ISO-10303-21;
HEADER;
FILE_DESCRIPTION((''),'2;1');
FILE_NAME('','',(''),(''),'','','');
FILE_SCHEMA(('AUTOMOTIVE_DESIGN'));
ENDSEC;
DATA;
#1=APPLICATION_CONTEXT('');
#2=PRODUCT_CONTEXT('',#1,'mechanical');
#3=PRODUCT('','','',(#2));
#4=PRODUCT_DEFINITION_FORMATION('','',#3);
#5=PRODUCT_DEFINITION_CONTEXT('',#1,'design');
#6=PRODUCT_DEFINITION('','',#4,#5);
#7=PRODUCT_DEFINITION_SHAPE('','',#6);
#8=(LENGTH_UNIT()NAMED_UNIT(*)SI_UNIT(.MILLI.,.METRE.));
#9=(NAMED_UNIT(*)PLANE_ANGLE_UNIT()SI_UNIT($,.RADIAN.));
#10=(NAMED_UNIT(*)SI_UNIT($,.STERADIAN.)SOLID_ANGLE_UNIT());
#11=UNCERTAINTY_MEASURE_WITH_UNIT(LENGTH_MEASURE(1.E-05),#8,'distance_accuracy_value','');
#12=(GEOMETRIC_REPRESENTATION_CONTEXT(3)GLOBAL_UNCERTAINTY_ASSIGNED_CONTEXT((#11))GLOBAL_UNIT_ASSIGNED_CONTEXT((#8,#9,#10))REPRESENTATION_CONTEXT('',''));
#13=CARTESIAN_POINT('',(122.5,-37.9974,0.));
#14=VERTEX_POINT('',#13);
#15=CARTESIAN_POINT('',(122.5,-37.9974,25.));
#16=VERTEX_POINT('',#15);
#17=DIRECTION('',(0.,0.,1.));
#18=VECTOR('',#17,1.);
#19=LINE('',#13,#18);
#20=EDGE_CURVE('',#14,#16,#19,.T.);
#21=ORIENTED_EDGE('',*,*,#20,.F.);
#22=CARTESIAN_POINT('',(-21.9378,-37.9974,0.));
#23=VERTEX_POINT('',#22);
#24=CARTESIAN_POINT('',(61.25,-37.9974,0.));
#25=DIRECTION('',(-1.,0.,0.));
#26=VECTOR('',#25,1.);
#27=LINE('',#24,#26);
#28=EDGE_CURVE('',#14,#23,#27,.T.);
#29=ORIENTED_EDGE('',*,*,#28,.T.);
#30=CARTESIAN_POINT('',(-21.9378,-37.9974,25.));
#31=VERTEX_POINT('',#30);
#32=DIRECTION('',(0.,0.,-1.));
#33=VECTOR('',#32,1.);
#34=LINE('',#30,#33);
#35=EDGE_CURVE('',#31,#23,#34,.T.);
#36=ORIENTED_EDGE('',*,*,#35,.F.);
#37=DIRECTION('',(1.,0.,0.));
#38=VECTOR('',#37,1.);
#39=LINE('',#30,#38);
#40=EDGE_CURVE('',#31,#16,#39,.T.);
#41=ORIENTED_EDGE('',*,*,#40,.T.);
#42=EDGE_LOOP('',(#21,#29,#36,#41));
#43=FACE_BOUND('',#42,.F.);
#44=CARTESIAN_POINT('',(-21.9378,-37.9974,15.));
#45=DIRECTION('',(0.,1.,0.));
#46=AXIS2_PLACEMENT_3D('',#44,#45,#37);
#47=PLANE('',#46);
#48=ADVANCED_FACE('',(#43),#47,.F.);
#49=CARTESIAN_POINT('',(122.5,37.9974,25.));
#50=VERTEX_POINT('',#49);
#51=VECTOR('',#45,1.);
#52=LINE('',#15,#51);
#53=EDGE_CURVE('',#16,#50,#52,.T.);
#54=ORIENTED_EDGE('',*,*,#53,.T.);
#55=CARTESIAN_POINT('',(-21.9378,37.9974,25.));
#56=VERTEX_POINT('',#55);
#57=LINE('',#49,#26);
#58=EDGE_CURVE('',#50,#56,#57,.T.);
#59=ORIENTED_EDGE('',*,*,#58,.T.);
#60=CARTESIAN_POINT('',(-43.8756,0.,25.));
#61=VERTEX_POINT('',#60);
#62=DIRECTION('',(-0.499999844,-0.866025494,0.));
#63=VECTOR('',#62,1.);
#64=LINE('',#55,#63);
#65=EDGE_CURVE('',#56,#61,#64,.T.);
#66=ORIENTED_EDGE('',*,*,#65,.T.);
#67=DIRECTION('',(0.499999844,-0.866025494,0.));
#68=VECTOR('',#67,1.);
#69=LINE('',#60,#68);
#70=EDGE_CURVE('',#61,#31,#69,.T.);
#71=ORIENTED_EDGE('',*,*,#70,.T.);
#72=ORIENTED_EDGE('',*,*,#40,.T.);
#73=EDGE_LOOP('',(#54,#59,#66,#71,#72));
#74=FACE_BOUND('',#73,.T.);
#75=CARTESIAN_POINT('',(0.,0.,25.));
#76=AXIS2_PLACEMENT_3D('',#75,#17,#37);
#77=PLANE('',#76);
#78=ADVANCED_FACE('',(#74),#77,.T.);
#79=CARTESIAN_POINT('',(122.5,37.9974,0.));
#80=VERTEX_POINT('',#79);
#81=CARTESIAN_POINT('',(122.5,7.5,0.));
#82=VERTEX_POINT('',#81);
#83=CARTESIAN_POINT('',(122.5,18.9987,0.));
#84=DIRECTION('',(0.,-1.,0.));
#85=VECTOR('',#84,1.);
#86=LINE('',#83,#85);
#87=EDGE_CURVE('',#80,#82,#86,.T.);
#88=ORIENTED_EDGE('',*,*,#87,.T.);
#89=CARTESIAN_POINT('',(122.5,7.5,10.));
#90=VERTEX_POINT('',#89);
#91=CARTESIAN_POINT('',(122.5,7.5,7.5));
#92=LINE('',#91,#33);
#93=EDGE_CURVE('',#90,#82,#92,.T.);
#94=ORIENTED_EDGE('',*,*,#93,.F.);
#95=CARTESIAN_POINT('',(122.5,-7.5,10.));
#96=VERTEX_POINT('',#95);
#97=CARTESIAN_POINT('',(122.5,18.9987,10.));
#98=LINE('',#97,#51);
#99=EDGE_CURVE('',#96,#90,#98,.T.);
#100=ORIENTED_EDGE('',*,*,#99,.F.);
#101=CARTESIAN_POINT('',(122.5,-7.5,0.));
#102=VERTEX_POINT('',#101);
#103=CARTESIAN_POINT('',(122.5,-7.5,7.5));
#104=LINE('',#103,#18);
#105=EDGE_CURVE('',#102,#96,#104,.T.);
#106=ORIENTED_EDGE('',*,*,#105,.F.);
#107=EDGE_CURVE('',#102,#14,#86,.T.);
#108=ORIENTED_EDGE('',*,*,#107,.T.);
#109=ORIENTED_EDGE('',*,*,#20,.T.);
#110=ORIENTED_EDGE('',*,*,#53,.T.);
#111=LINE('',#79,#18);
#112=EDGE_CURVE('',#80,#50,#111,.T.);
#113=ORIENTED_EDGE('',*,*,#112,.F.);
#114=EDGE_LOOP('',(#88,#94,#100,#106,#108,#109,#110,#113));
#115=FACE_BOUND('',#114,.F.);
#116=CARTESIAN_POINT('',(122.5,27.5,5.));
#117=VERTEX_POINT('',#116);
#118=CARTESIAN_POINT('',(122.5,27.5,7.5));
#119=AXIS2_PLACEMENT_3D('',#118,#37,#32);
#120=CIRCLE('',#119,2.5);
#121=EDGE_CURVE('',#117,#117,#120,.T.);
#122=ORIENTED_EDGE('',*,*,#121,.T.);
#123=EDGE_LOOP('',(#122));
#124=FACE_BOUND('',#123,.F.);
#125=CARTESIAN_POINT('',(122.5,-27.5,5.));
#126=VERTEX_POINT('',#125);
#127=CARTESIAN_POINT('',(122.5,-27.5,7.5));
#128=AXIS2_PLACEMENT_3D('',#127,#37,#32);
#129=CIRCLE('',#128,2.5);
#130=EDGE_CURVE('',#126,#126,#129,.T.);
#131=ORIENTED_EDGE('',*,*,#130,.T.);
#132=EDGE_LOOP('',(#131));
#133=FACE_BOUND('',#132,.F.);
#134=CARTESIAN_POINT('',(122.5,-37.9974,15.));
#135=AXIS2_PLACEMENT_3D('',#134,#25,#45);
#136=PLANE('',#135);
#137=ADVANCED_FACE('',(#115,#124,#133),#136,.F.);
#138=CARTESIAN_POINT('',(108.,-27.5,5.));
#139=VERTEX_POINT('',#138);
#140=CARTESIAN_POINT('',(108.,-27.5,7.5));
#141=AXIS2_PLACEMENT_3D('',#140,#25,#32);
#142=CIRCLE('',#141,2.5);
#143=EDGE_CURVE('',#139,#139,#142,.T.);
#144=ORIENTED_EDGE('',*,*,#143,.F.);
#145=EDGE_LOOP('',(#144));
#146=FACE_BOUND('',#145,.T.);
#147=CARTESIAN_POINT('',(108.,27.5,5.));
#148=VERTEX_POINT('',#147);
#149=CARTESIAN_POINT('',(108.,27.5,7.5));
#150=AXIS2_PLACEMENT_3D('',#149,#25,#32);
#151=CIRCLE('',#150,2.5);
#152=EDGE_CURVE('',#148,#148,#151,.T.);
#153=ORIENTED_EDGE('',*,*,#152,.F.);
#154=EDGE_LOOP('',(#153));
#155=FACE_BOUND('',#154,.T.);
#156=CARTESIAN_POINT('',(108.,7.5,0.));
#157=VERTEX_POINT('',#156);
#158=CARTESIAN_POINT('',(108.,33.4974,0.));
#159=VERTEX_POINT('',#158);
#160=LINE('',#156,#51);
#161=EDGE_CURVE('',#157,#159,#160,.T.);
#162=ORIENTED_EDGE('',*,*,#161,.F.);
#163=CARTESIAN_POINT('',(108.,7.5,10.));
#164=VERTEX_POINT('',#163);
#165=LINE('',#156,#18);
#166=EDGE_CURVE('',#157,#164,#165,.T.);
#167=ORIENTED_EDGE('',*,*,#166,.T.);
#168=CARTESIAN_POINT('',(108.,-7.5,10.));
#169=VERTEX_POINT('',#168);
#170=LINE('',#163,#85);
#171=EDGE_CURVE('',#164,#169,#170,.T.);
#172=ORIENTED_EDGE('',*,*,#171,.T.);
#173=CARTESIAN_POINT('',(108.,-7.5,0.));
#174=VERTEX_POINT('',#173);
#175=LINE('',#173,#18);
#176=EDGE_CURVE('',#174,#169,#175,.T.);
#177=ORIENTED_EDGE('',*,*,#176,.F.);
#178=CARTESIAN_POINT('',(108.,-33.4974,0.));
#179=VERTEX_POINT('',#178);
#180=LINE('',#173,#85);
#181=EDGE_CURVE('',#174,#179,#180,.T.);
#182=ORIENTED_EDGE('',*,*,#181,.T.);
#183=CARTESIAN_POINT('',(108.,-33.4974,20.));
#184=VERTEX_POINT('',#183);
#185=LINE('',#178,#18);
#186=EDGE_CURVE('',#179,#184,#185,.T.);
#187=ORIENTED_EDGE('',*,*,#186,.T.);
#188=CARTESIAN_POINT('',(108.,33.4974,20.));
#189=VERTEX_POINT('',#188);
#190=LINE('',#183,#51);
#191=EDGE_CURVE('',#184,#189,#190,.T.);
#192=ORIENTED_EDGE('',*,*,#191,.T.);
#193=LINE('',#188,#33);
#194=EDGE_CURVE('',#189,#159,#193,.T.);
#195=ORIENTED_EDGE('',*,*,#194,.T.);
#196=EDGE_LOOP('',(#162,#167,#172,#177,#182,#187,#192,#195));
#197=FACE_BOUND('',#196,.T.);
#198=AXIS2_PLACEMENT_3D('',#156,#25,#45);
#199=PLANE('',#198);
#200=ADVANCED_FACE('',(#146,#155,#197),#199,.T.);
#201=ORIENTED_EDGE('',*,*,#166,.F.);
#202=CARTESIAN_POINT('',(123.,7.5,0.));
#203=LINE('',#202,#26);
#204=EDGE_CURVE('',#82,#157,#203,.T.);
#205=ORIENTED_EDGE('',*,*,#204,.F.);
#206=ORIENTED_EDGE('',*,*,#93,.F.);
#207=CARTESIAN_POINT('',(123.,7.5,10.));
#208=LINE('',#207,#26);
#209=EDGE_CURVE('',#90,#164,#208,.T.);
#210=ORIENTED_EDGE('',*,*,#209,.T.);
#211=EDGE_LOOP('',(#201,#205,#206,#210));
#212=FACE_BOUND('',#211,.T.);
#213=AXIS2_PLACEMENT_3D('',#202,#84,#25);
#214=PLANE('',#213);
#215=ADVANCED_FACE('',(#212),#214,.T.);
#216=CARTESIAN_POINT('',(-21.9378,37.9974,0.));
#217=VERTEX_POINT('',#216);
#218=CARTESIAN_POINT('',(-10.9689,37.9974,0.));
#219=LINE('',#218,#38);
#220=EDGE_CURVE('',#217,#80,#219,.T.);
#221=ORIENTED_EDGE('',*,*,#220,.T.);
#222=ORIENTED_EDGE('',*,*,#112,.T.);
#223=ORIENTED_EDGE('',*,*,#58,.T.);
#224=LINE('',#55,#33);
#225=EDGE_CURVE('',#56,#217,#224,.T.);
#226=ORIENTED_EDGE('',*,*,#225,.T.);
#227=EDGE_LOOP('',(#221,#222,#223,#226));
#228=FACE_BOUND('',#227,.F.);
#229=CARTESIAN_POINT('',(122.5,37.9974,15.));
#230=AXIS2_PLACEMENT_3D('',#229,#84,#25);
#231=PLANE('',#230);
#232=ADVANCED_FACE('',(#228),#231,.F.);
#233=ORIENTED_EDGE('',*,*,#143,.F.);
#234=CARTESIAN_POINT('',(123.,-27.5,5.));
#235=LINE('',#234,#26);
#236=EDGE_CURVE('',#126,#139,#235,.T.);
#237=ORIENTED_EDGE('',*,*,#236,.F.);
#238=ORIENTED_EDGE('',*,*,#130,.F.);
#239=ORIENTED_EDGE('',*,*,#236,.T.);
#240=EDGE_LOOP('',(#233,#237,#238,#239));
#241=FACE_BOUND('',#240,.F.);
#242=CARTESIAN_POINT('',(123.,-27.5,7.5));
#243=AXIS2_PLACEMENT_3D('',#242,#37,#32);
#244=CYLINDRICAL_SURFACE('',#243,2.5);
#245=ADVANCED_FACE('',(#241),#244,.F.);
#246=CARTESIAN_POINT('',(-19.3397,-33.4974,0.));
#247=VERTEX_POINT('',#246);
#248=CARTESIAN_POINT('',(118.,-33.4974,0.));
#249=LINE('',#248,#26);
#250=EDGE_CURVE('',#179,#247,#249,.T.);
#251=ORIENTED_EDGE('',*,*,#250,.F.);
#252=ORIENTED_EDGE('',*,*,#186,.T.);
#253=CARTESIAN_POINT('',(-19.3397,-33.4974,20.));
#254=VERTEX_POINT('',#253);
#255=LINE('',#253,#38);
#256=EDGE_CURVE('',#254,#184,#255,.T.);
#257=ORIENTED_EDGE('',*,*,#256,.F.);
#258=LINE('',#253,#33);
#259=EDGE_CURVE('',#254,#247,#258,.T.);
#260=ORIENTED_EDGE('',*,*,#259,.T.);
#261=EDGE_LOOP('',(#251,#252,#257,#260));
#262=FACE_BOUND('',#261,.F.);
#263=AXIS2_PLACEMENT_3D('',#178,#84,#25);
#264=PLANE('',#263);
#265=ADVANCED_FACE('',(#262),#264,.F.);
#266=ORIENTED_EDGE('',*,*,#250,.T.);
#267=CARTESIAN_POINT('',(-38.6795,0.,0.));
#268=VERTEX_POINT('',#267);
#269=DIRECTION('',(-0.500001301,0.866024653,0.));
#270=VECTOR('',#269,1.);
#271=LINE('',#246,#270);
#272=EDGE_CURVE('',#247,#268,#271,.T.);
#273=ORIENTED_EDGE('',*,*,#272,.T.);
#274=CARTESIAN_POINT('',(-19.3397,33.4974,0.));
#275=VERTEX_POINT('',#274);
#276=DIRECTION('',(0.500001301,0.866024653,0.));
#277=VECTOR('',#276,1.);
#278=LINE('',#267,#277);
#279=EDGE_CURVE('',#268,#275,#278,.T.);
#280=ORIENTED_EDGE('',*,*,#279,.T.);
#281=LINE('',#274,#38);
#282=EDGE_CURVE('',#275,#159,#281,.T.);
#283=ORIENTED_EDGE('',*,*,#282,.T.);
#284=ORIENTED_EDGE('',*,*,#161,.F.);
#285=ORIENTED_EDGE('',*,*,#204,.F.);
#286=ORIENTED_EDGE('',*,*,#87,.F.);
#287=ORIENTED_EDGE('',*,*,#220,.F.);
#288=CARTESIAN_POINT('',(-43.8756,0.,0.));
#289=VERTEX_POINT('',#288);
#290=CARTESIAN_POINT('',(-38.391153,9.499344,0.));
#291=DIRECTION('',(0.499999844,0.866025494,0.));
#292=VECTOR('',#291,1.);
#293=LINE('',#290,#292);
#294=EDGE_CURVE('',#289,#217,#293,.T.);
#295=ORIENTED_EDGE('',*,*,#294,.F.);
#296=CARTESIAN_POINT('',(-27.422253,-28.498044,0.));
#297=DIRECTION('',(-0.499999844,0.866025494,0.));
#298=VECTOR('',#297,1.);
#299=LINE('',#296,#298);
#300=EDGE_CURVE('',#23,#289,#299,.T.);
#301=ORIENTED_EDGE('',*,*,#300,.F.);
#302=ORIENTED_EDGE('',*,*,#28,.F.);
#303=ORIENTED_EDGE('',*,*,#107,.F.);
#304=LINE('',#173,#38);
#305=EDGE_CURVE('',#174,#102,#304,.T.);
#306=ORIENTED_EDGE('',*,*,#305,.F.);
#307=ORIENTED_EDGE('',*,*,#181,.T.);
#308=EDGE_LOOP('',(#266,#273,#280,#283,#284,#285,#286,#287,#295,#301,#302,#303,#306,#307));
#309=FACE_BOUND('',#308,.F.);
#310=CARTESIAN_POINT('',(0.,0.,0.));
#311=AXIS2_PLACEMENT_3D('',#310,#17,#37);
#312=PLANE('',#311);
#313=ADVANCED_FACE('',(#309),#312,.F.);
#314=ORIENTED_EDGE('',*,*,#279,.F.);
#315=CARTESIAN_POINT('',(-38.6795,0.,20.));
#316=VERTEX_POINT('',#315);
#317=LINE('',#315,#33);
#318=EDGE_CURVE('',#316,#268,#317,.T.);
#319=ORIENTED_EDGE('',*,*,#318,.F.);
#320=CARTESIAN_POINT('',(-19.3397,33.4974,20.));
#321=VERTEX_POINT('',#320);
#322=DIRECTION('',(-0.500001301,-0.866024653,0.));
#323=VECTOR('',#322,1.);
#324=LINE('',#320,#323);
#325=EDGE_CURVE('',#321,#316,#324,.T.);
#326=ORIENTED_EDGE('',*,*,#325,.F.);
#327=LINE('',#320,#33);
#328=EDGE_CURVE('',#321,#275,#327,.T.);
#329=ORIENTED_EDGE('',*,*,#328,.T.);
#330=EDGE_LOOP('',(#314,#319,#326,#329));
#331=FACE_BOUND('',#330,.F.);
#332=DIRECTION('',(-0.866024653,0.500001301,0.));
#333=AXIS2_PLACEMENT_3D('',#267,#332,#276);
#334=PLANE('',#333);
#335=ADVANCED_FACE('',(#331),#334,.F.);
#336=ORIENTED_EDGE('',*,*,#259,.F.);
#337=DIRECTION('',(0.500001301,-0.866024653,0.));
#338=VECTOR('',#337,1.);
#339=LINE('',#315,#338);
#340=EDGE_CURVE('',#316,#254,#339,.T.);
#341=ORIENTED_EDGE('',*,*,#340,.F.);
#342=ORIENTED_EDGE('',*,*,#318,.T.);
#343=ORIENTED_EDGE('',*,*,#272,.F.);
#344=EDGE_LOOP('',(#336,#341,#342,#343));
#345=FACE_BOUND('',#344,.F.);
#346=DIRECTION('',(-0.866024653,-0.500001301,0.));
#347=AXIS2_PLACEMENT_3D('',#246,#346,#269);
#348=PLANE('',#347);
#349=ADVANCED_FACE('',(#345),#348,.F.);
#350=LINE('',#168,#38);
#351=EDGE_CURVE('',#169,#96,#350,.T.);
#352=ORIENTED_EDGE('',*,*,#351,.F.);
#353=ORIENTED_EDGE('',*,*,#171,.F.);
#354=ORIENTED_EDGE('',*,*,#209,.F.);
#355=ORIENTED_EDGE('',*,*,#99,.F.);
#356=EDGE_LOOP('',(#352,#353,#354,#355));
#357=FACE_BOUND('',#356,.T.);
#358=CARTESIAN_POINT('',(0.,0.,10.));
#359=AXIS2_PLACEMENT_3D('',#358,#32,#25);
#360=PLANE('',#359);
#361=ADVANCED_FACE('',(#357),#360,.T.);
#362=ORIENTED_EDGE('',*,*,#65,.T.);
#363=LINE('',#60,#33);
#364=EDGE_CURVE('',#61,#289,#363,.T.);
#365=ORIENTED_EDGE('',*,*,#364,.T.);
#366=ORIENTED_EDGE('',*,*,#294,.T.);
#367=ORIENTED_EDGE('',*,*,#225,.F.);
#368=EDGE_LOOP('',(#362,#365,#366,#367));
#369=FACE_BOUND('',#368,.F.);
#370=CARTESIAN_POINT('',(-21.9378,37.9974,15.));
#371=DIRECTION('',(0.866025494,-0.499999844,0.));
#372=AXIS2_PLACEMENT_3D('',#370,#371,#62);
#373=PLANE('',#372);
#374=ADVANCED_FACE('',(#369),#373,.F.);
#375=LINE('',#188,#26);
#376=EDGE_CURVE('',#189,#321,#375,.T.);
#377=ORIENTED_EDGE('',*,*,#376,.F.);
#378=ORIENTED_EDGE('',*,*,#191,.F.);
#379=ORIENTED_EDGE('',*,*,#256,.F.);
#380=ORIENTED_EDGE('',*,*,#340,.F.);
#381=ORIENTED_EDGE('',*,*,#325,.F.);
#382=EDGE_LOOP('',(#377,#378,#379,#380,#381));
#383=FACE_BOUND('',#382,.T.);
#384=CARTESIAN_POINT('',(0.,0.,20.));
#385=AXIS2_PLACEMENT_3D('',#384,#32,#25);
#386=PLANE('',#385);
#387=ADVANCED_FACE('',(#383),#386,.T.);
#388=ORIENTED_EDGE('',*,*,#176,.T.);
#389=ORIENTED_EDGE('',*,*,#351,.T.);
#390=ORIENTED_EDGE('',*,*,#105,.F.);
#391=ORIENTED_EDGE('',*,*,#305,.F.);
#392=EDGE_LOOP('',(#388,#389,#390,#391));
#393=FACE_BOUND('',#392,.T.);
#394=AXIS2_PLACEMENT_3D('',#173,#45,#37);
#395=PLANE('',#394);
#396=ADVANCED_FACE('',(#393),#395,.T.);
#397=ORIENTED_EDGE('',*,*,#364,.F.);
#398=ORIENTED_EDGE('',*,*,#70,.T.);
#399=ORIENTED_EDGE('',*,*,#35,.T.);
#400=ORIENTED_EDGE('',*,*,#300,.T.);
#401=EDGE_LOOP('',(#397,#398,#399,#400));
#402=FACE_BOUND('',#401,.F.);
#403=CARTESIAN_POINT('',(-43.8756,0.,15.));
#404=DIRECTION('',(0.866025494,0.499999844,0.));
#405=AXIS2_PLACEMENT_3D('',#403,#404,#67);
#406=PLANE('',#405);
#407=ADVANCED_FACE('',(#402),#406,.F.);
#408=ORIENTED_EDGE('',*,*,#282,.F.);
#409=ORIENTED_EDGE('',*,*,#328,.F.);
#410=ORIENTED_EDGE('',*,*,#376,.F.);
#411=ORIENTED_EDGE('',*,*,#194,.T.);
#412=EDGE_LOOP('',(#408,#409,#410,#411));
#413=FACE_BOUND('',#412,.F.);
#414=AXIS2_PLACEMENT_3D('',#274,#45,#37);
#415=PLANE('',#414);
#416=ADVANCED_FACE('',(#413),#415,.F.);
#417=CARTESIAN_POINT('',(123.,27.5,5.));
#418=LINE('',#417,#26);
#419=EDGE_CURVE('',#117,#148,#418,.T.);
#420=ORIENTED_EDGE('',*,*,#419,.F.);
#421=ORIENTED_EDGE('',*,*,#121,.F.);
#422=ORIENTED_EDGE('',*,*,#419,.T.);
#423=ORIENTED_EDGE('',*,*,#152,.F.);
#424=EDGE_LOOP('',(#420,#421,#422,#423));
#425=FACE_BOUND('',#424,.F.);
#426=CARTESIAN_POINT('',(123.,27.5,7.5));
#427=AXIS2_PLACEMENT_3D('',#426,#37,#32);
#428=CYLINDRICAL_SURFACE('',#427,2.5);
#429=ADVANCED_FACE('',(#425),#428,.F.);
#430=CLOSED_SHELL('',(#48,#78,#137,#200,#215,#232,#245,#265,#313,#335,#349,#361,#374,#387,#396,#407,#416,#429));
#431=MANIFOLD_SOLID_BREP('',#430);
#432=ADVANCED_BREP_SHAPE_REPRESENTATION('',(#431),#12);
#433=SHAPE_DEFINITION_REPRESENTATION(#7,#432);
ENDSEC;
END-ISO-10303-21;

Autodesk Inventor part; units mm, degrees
ref_plane "YZ Plane" through (0, 0, 0) normal (1, 0, 0) x (0, 1, 0)
ref_plane "XZ Plane" through (0, 0, 0) normal (0, 1, 0) x (-1, 0, 0)
ref_plane "XY Plane" through (0, 0, 0) normal (0, 0, 1) x (1, 0, 0)
sketch "Sketch1" plane through (0, 0, 0) normal (0, 0, 1) x (1, 0, 0)
  line L0 (44.453, 0) -> (22.2265, -38.4974)
  line L1 (22.2265, -38.4974) -> (-22.2265, -38.4974)
  line L2 (-22.2265, -38.4974) -> (-44.453, 0)
  line L3 (-44.453, 0) -> (-22.2265, 38.4974)
  line L4 (-22.2265, 38.4974) -> (22.2265, 38.4974)
  line L5 (22.2265, 38.4974) -> (44.453, 0)
  line L6 (22.2265, 38.4974) -> (123, 38.4974)
  line L7 (22.2265, -38.4974) -> (123, -38.4974)
  line L8 (123, -38.4974) -> (123, 38.4974)
  point P0 (0, 0)
  point P1 (0, 0)
  dimension "d1" = 145.2265
  dimension "d2" = 76.9948
extrude "Extrusion1" add sketch "Sketch1" along normal blind 15
sketch "Sketch2" plane through (123, -38.4974, 0) normal (1, 0, 0) x (0, 0, -1)
  circle A0 centre (-7.5, 65.9974) radius 2.5
  circle A1 centre (-7.5, 10.9974) radius 2.5
  line L0 (-7.5, 65.9974) -> (-7.5, 10.9974) construction
  line L1 (0, 0) -> (0, 76.9948) construction
  line L2 (0, 76.9948) -> (-15, 76.9948) construction
  point P0 (0, 38.4974)
  point P1 (-7.5, 38.4974)
  point P2 (0, 38.4974)
  point P3 (-7.5, 76.9948)
  dimension "d5" = 5
  dimension "d6" = 5
  dimension "d7" = 55
extrude "Extrusion2" cut sketch "Sketch2" against normal blind 25
sketch "Sketch3" plane through (0, 0, 0) normal (0, 0, -1) x (-1, 0, 0)
  line L0 (-123, -38.4974) -> (-123, 38.4974) projected
  line L1 (-123, 7.5) -> (-108, 7.5)
  line L2 (-108, 7.5) -> (-108, -7.5)
  line L3 (-108, -7.5) -> (-123, -7.5)
  line L4 (-123, -7.5) -> (-123, 7.5)
  line L5 (-123, 38.4974) -> (22.2265, 38.4974) projected
  line L6 (22.2265, 38.4974) -> (44.453, 0) projected
  line L7 (44.453, 0) -> (22.2265, -38.4974) projected
  line L8 (22.2265, -38.4974) -> (-123, -38.4974) projected
  line L9 (38.6795, 0) -> (19.3397, 33.4974)
  line L10 (19.3397, 33.4974) -> (-118, 33.4974)
  line L11 (-118, 33.4974) -> (-118, -33.4974) construction
  line L12 (-118, -33.4974) -> (19.3397, -33.4974)
  line L13 (19.3397, -33.4974) -> (38.6795, 0)
  line L14 (-108, 7.5) -> (-108, 33.4974)
  line L15 (-108, -7.5) -> (-108, -33.4974)
  line L16 (19.3397, 33.4974) -> (-108, 33.4974)
  line L17 (-108, -33.4974) -> (19.3397, -33.4974)
  point P0 (0, 0)
  point P1 (-123, 0)
  dimension "d10" = 15
  dimension "d11" = 15
  dimension "d12" = 5
extrude "Extrusion3" cut sketch "Sketch3" against normal blind 10 contours L0 L1 L2 L3 | L2 L14 L10 L9 L13 L12 L15
sketch "Sketch5" plane through (0, 0, 15) normal (0, 0, 1) x (1, 0, 0)
  line L0 (123, 38.4974) -> (-22.2265, 38.4974) projected
  line L1 (-22.2265, 38.4974) -> (-44.453, 0) projected
  line L2 (-44.453, 0) -> (-22.2265, -38.4974) projected
  line L3 (-22.2265, -38.4974) -> (123, -38.4974) projected
  line L4 (123, -38.4974) -> (123, 38.4974) projected
  line L5 (122.5, -37.9974) -> (-21.9378, -37.9974)
  line L6 (-21.9378, -37.9974) -> (-43.8756, 0)
  line L7 (-43.8756, 0) -> (-21.9378, 37.9974)
  line L8 (-21.9378, 37.9974) -> (122.5, 37.9974)
  line L9 (122.5, 37.9974) -> (122.5, -37.9974)
  point P0 (0, 0)
  dimension "d15" = 0.5
extrude "Extrusion4" cut sketch "Sketch5" against normal through all
sketch "Sketch6" plane through (0, 0, 15) normal (0, 0, 1) x (1, 0, 0)
  line L0 (122.5, -37.9974) -> (122.5, 37.9974) projected
  line L1 (122.5, 37.9974) -> (-21.9378, 37.9974) projected
  line L2 (-21.9378, 37.9974) -> (-43.8756, 0) projected
  line L3 (-43.8756, 0) -> (-21.9378, -37.9974) projected
  line L4 (-21.9378, -37.9974) -> (122.5, -37.9974) projected
  point P0 (0, 0)
extrude "Extrusion5" add sketch "Sketch6" along normal blind 10
sketch "Sketch7" plane through (0, 0, 10) normal (0, 0, -1) x (-1, 0, 0)
  line L0 (-122.5, 7.5) -> (-122.5, -7.5) projected
  line L1 (-108, -7.5) -> (-122.5, -7.5) projected
  line L2 (-108, -27.5) -> (-108, -7.5) projected
  line L3 (-108, -33.4974) -> (-108, -27.5) projected
  line L4 (19.3397, -33.4974) -> (-108, -33.4974) projected
  line L5 (38.6795, 0) -> (19.3397, -33.4974) projected
  line L6 (19.3397, 33.4974) -> (38.6795, 0) projected
  line L7 (-108, 33.4974) -> (19.3397, 33.4974) projected
  line L8 (-108, 27.5) -> (-108, 33.4974) projected
  line L9 (-108, 7.5) -> (-108, 27.5) projected
  line L10 (-122.5, 7.5) -> (-108, 7.5) projected
  line L11 (-108, 7.5) -> (-108, 27.5) projected
  line L12 (-108, -27.5) -> (-108, -7.5) projected
  line L13 (-108, 7.5) -> (-108, -7.5)
  point P0 (0, 0)
extrude "Extrusion6" cut sketch "Sketch7" against normal blind 10 contours L9 L8 L7 L6 L5 L4 L3 L2 L13
properties part number "TARM06" material "ABS Plastic"
